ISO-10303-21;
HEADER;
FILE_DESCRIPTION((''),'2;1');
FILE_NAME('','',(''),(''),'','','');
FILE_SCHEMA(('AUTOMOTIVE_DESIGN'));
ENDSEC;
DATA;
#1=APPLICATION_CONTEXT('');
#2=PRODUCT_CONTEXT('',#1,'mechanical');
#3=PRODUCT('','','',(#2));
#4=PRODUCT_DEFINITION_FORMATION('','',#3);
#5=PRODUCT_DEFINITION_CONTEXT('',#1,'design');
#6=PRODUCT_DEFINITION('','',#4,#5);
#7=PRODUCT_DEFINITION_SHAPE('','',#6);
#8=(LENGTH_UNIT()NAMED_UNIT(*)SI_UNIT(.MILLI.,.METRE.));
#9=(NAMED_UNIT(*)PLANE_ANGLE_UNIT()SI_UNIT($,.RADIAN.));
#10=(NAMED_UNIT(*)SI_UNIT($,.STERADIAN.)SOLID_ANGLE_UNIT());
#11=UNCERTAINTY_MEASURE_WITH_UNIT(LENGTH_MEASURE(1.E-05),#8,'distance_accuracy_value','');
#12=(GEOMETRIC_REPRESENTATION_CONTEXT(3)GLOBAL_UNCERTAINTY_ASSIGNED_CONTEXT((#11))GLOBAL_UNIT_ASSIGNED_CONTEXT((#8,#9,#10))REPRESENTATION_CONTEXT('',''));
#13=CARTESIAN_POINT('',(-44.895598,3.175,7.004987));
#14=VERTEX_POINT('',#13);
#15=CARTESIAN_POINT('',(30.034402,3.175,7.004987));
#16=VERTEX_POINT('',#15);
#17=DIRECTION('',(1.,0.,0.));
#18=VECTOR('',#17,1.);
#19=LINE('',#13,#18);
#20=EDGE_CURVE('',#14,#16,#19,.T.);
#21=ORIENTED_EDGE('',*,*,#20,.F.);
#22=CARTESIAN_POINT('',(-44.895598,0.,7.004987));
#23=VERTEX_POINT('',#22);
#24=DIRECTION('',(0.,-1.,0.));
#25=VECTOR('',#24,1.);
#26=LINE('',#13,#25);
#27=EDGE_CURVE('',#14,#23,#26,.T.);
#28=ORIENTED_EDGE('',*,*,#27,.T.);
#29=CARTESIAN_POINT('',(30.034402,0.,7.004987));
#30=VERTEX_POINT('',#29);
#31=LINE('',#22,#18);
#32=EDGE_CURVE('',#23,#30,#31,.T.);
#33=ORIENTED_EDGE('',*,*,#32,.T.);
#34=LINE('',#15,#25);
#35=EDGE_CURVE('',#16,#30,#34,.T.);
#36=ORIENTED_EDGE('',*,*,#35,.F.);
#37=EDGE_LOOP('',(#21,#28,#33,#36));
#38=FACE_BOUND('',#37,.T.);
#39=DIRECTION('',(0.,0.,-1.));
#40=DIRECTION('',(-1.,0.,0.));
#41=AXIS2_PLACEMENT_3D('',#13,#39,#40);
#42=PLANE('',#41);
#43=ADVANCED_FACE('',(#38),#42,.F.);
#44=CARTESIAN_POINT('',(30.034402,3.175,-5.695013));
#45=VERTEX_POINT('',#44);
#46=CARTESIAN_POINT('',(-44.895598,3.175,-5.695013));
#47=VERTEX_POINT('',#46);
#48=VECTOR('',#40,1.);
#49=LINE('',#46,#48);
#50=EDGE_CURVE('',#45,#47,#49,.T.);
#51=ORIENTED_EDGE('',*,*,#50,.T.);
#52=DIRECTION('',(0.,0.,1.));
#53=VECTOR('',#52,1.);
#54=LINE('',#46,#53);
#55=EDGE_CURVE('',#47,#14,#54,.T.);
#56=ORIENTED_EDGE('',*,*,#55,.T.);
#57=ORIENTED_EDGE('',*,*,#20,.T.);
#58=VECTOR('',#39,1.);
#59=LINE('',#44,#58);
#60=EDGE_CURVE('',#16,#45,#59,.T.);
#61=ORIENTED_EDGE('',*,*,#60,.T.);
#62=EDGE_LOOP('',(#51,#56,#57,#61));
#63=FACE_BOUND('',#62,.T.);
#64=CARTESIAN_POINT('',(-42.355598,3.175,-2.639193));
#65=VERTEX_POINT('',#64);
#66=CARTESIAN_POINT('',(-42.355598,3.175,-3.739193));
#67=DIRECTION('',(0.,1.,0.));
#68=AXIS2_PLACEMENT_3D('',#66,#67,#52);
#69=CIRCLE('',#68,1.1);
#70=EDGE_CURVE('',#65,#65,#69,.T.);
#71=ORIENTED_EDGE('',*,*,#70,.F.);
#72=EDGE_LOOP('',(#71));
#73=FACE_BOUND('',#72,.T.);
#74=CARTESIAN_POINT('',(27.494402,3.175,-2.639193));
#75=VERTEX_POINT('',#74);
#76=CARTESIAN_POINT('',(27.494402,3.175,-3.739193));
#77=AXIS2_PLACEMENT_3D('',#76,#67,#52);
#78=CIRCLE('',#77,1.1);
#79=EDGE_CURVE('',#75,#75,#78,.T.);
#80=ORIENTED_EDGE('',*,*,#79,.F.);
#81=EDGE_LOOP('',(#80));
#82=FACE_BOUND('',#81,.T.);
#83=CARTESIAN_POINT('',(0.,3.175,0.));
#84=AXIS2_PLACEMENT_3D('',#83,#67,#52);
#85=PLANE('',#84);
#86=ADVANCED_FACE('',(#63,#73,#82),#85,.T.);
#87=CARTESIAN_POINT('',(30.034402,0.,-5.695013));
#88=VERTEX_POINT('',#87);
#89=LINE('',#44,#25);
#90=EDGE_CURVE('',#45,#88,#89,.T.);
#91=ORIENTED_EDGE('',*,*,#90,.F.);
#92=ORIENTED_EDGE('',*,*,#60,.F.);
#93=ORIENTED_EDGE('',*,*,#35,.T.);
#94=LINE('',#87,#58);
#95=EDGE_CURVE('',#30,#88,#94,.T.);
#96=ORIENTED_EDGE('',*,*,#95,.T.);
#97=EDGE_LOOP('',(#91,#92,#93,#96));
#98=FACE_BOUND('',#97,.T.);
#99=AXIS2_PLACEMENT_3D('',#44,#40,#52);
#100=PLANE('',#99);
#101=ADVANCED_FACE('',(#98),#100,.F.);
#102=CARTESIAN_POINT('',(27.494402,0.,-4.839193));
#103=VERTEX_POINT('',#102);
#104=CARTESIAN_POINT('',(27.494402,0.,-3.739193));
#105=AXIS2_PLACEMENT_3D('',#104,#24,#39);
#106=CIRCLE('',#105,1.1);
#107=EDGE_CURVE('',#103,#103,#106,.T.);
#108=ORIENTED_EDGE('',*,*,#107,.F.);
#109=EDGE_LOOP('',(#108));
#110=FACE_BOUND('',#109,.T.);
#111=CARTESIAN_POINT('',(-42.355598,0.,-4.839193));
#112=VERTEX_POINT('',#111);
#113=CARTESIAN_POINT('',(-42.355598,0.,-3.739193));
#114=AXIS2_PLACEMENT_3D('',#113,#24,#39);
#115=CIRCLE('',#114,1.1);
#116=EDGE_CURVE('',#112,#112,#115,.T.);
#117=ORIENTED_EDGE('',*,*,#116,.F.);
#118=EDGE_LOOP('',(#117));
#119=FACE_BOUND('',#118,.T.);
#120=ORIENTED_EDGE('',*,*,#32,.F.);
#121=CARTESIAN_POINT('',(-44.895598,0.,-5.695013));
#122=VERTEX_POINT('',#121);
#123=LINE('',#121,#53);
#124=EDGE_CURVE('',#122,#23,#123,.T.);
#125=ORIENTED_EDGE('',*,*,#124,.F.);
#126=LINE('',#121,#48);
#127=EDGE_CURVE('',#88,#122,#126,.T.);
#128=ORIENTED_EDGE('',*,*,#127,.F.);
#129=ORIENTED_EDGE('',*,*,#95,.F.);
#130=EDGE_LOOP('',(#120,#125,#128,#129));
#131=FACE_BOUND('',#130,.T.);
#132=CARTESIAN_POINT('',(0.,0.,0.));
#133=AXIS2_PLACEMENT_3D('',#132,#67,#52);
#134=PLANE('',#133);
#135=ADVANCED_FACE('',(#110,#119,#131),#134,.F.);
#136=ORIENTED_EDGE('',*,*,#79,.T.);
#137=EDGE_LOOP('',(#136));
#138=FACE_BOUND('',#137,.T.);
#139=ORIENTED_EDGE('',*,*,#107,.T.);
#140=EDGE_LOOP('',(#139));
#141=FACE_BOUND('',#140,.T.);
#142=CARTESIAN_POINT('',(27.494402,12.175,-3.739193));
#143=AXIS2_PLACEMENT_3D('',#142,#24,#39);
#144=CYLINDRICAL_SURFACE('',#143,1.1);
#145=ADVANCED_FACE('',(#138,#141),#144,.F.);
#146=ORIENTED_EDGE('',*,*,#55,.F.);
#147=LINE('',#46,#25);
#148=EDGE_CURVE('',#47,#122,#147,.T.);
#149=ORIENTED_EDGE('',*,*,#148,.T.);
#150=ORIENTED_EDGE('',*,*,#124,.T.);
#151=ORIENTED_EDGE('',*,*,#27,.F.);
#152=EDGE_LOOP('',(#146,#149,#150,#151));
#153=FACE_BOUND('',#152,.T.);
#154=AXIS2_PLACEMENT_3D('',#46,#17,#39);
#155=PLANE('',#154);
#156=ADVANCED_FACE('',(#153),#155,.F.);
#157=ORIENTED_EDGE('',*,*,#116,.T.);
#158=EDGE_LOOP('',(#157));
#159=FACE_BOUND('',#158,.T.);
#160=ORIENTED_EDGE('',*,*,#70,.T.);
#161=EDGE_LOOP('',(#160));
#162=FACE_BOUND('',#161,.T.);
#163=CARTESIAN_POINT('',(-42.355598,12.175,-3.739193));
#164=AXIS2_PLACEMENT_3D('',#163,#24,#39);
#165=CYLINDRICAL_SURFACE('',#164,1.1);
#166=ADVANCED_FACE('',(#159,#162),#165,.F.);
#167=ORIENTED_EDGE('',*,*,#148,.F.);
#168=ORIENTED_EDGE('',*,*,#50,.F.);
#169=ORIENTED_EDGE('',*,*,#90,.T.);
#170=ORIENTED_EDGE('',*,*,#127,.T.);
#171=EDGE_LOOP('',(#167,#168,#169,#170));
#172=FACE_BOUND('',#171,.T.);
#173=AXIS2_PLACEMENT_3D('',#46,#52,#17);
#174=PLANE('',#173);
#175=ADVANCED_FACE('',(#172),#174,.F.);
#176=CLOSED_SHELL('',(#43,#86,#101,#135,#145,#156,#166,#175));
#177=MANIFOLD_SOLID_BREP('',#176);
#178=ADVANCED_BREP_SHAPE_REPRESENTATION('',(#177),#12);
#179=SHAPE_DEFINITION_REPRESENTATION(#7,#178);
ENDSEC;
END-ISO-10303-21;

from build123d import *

# Parameters (mm, degrees)
ESBO_O1_W                = 74.93
ESBO_O1_H                = 12.7
RESSALTO_EXTRUS_O1_DEPTH = 3.175
ESBO_O2_R                = 1.1
CORTE_EXTRUS_O1_DEPTH    = 12.175


with BuildPart() as part:
    # Esboço1 → Ressalto-extrusão1 (new body)
    with BuildSketch(Plane(origin=(0, 0, 0), x_dir=(1, 0, 0), z_dir=(0, 1, 0))):
        with Locations((-7.430597687, -0.654986873)):
            Rectangle(ESBO_O1_W, ESBO_O1_H)
    extrude(amount=RESSALTO_EXTRUS_O1_DEPTH)

    # Esboço2 → Corte-extrusão1 (cut)
    with BuildSketch(Plane.XZ):
        with Locations((27.494402313, -3.739192561)):
            Circle(ESBO_O2_R)
        with Locations((-42.355597687, -3.739192561)):
            Circle(ESBO_O2_R)
    extrude(amount=-CORTE_EXTRUS_O1_DEPTH, mode=Mode.SUBTRACT)


solid = part.part
